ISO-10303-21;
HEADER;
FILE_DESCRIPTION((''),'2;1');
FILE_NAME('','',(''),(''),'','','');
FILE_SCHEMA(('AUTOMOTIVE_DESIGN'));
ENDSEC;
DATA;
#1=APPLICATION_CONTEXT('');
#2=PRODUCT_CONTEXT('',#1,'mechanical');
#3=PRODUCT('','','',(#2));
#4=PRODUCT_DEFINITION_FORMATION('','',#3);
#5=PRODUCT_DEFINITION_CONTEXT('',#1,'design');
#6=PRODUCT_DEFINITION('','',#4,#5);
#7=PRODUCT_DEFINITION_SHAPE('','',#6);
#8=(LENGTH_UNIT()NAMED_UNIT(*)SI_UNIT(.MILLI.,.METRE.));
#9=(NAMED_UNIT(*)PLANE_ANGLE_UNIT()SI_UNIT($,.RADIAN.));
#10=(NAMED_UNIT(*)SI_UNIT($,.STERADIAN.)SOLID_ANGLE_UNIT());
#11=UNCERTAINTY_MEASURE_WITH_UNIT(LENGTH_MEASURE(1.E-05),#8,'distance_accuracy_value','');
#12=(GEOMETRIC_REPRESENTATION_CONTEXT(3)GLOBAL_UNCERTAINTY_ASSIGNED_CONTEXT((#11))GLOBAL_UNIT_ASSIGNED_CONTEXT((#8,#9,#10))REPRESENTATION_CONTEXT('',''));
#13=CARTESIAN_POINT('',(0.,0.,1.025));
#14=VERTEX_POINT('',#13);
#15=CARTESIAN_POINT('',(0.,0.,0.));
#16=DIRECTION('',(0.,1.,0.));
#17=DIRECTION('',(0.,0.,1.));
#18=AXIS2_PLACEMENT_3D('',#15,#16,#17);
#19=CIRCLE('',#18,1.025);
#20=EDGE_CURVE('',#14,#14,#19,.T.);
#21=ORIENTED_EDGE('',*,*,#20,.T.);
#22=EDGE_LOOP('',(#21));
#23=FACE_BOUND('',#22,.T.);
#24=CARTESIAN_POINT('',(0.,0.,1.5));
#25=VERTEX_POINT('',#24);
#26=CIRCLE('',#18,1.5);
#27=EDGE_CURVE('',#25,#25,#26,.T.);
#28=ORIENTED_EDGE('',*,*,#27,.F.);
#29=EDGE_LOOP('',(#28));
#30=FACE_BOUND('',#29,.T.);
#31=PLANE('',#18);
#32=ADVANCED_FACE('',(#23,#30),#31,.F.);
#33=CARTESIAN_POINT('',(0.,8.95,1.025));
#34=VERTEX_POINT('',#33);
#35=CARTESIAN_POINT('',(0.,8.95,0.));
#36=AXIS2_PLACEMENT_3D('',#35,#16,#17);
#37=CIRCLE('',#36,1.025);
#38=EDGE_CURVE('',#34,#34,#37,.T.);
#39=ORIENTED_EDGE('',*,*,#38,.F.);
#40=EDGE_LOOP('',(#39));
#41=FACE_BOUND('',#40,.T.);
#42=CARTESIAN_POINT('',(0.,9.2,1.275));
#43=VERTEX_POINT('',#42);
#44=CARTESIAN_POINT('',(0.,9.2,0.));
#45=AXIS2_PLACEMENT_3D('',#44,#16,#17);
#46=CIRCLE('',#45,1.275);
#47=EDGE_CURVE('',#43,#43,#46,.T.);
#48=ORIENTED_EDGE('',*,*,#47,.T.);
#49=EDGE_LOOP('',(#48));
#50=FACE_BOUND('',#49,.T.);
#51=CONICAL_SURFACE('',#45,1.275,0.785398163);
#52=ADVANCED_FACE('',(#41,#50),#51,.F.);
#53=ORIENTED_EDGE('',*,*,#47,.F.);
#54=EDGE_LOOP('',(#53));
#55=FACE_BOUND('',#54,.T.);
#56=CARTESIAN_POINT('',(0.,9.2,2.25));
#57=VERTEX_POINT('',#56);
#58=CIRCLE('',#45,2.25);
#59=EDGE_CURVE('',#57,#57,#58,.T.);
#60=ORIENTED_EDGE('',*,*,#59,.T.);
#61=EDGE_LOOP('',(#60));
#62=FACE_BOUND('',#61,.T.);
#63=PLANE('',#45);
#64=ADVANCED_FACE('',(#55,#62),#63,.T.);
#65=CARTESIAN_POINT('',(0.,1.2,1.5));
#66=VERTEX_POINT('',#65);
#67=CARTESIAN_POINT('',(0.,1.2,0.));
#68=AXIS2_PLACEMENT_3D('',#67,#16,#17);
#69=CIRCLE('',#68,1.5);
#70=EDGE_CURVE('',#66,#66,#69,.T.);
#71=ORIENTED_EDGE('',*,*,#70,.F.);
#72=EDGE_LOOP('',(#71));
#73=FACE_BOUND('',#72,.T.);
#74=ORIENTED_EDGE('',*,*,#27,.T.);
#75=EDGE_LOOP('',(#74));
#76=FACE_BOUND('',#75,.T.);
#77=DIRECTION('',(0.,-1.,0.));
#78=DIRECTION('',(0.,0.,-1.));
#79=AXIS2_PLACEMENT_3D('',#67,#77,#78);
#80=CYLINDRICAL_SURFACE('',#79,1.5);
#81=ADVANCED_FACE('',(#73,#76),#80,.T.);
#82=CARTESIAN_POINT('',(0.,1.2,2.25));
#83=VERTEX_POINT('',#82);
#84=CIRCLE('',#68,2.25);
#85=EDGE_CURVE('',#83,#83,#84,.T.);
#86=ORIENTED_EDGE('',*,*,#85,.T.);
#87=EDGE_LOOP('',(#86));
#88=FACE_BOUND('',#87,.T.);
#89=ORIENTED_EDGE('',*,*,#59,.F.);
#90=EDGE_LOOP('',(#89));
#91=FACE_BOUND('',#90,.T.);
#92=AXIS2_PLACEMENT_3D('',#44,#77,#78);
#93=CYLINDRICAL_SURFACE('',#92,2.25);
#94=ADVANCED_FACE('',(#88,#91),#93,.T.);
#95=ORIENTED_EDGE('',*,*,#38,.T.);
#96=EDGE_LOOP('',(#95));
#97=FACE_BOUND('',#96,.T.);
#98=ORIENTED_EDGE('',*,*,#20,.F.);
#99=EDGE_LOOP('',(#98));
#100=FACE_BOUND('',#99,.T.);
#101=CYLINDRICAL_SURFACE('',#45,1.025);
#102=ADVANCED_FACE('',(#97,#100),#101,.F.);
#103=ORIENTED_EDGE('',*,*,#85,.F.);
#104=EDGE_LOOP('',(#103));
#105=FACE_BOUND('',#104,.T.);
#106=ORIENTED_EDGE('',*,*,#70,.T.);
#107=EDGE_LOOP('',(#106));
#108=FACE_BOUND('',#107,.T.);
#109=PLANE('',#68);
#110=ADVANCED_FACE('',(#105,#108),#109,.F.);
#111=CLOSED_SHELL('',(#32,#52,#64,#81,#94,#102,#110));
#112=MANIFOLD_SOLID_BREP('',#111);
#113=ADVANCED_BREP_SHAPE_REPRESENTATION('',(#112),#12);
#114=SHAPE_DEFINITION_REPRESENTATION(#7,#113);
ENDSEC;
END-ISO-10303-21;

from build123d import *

# Parameters (mm, degrees)
SKETCH_1_R                     = 1.5
EXTRUDE_1_DEPTH                = 1.2
SKETCH_2_R                     = 2.25
EXTRUDE_2_DEPTH                = 8
HOLE_WIZARD_M2_5_1_D           = 2.05
HOLE_WIZARD_M2_5_1_CSINK_D     = 2.55
HOLE_WIZARD_M2_5_1_CSINK_ANGLE = 90


with BuildPart() as part:
    # 草图1 → 凸台-拉伸1 (new body)
    with BuildSketch(Plane(origin=(0, 0, 0), x_dir=(1, 0, 0), z_dir=(0, 1, 0))):
        Circle(SKETCH_1_R)
    extrude(amount=EXTRUDE_1_DEPTH)

    # 草图2 → 凸台-拉伸2 (add)
    with BuildSketch(Plane(origin=(0, 1.2, 0), x_dir=(1, 0, 0), z_dir=(0, 1, 0))):
        Circle(SKETCH_2_R)
    extrude(amount=EXTRUDE_2_DEPTH)

    # M2.5 螺纹孔1 (through all)
    with Locations(Plane(origin=(0, 9.2, 0), x_dir=(1, 0, 0), z_dir=(0, 1, 0))):
        with Locations((0, 0)):
            CounterSinkHole(HOLE_WIZARD_M2_5_1_D / 2, HOLE_WIZARD_M2_5_1_CSINK_D / 2, counter_sink_angle=HOLE_WIZARD_M2_5_1_CSINK_ANGLE)


solid = part.part
